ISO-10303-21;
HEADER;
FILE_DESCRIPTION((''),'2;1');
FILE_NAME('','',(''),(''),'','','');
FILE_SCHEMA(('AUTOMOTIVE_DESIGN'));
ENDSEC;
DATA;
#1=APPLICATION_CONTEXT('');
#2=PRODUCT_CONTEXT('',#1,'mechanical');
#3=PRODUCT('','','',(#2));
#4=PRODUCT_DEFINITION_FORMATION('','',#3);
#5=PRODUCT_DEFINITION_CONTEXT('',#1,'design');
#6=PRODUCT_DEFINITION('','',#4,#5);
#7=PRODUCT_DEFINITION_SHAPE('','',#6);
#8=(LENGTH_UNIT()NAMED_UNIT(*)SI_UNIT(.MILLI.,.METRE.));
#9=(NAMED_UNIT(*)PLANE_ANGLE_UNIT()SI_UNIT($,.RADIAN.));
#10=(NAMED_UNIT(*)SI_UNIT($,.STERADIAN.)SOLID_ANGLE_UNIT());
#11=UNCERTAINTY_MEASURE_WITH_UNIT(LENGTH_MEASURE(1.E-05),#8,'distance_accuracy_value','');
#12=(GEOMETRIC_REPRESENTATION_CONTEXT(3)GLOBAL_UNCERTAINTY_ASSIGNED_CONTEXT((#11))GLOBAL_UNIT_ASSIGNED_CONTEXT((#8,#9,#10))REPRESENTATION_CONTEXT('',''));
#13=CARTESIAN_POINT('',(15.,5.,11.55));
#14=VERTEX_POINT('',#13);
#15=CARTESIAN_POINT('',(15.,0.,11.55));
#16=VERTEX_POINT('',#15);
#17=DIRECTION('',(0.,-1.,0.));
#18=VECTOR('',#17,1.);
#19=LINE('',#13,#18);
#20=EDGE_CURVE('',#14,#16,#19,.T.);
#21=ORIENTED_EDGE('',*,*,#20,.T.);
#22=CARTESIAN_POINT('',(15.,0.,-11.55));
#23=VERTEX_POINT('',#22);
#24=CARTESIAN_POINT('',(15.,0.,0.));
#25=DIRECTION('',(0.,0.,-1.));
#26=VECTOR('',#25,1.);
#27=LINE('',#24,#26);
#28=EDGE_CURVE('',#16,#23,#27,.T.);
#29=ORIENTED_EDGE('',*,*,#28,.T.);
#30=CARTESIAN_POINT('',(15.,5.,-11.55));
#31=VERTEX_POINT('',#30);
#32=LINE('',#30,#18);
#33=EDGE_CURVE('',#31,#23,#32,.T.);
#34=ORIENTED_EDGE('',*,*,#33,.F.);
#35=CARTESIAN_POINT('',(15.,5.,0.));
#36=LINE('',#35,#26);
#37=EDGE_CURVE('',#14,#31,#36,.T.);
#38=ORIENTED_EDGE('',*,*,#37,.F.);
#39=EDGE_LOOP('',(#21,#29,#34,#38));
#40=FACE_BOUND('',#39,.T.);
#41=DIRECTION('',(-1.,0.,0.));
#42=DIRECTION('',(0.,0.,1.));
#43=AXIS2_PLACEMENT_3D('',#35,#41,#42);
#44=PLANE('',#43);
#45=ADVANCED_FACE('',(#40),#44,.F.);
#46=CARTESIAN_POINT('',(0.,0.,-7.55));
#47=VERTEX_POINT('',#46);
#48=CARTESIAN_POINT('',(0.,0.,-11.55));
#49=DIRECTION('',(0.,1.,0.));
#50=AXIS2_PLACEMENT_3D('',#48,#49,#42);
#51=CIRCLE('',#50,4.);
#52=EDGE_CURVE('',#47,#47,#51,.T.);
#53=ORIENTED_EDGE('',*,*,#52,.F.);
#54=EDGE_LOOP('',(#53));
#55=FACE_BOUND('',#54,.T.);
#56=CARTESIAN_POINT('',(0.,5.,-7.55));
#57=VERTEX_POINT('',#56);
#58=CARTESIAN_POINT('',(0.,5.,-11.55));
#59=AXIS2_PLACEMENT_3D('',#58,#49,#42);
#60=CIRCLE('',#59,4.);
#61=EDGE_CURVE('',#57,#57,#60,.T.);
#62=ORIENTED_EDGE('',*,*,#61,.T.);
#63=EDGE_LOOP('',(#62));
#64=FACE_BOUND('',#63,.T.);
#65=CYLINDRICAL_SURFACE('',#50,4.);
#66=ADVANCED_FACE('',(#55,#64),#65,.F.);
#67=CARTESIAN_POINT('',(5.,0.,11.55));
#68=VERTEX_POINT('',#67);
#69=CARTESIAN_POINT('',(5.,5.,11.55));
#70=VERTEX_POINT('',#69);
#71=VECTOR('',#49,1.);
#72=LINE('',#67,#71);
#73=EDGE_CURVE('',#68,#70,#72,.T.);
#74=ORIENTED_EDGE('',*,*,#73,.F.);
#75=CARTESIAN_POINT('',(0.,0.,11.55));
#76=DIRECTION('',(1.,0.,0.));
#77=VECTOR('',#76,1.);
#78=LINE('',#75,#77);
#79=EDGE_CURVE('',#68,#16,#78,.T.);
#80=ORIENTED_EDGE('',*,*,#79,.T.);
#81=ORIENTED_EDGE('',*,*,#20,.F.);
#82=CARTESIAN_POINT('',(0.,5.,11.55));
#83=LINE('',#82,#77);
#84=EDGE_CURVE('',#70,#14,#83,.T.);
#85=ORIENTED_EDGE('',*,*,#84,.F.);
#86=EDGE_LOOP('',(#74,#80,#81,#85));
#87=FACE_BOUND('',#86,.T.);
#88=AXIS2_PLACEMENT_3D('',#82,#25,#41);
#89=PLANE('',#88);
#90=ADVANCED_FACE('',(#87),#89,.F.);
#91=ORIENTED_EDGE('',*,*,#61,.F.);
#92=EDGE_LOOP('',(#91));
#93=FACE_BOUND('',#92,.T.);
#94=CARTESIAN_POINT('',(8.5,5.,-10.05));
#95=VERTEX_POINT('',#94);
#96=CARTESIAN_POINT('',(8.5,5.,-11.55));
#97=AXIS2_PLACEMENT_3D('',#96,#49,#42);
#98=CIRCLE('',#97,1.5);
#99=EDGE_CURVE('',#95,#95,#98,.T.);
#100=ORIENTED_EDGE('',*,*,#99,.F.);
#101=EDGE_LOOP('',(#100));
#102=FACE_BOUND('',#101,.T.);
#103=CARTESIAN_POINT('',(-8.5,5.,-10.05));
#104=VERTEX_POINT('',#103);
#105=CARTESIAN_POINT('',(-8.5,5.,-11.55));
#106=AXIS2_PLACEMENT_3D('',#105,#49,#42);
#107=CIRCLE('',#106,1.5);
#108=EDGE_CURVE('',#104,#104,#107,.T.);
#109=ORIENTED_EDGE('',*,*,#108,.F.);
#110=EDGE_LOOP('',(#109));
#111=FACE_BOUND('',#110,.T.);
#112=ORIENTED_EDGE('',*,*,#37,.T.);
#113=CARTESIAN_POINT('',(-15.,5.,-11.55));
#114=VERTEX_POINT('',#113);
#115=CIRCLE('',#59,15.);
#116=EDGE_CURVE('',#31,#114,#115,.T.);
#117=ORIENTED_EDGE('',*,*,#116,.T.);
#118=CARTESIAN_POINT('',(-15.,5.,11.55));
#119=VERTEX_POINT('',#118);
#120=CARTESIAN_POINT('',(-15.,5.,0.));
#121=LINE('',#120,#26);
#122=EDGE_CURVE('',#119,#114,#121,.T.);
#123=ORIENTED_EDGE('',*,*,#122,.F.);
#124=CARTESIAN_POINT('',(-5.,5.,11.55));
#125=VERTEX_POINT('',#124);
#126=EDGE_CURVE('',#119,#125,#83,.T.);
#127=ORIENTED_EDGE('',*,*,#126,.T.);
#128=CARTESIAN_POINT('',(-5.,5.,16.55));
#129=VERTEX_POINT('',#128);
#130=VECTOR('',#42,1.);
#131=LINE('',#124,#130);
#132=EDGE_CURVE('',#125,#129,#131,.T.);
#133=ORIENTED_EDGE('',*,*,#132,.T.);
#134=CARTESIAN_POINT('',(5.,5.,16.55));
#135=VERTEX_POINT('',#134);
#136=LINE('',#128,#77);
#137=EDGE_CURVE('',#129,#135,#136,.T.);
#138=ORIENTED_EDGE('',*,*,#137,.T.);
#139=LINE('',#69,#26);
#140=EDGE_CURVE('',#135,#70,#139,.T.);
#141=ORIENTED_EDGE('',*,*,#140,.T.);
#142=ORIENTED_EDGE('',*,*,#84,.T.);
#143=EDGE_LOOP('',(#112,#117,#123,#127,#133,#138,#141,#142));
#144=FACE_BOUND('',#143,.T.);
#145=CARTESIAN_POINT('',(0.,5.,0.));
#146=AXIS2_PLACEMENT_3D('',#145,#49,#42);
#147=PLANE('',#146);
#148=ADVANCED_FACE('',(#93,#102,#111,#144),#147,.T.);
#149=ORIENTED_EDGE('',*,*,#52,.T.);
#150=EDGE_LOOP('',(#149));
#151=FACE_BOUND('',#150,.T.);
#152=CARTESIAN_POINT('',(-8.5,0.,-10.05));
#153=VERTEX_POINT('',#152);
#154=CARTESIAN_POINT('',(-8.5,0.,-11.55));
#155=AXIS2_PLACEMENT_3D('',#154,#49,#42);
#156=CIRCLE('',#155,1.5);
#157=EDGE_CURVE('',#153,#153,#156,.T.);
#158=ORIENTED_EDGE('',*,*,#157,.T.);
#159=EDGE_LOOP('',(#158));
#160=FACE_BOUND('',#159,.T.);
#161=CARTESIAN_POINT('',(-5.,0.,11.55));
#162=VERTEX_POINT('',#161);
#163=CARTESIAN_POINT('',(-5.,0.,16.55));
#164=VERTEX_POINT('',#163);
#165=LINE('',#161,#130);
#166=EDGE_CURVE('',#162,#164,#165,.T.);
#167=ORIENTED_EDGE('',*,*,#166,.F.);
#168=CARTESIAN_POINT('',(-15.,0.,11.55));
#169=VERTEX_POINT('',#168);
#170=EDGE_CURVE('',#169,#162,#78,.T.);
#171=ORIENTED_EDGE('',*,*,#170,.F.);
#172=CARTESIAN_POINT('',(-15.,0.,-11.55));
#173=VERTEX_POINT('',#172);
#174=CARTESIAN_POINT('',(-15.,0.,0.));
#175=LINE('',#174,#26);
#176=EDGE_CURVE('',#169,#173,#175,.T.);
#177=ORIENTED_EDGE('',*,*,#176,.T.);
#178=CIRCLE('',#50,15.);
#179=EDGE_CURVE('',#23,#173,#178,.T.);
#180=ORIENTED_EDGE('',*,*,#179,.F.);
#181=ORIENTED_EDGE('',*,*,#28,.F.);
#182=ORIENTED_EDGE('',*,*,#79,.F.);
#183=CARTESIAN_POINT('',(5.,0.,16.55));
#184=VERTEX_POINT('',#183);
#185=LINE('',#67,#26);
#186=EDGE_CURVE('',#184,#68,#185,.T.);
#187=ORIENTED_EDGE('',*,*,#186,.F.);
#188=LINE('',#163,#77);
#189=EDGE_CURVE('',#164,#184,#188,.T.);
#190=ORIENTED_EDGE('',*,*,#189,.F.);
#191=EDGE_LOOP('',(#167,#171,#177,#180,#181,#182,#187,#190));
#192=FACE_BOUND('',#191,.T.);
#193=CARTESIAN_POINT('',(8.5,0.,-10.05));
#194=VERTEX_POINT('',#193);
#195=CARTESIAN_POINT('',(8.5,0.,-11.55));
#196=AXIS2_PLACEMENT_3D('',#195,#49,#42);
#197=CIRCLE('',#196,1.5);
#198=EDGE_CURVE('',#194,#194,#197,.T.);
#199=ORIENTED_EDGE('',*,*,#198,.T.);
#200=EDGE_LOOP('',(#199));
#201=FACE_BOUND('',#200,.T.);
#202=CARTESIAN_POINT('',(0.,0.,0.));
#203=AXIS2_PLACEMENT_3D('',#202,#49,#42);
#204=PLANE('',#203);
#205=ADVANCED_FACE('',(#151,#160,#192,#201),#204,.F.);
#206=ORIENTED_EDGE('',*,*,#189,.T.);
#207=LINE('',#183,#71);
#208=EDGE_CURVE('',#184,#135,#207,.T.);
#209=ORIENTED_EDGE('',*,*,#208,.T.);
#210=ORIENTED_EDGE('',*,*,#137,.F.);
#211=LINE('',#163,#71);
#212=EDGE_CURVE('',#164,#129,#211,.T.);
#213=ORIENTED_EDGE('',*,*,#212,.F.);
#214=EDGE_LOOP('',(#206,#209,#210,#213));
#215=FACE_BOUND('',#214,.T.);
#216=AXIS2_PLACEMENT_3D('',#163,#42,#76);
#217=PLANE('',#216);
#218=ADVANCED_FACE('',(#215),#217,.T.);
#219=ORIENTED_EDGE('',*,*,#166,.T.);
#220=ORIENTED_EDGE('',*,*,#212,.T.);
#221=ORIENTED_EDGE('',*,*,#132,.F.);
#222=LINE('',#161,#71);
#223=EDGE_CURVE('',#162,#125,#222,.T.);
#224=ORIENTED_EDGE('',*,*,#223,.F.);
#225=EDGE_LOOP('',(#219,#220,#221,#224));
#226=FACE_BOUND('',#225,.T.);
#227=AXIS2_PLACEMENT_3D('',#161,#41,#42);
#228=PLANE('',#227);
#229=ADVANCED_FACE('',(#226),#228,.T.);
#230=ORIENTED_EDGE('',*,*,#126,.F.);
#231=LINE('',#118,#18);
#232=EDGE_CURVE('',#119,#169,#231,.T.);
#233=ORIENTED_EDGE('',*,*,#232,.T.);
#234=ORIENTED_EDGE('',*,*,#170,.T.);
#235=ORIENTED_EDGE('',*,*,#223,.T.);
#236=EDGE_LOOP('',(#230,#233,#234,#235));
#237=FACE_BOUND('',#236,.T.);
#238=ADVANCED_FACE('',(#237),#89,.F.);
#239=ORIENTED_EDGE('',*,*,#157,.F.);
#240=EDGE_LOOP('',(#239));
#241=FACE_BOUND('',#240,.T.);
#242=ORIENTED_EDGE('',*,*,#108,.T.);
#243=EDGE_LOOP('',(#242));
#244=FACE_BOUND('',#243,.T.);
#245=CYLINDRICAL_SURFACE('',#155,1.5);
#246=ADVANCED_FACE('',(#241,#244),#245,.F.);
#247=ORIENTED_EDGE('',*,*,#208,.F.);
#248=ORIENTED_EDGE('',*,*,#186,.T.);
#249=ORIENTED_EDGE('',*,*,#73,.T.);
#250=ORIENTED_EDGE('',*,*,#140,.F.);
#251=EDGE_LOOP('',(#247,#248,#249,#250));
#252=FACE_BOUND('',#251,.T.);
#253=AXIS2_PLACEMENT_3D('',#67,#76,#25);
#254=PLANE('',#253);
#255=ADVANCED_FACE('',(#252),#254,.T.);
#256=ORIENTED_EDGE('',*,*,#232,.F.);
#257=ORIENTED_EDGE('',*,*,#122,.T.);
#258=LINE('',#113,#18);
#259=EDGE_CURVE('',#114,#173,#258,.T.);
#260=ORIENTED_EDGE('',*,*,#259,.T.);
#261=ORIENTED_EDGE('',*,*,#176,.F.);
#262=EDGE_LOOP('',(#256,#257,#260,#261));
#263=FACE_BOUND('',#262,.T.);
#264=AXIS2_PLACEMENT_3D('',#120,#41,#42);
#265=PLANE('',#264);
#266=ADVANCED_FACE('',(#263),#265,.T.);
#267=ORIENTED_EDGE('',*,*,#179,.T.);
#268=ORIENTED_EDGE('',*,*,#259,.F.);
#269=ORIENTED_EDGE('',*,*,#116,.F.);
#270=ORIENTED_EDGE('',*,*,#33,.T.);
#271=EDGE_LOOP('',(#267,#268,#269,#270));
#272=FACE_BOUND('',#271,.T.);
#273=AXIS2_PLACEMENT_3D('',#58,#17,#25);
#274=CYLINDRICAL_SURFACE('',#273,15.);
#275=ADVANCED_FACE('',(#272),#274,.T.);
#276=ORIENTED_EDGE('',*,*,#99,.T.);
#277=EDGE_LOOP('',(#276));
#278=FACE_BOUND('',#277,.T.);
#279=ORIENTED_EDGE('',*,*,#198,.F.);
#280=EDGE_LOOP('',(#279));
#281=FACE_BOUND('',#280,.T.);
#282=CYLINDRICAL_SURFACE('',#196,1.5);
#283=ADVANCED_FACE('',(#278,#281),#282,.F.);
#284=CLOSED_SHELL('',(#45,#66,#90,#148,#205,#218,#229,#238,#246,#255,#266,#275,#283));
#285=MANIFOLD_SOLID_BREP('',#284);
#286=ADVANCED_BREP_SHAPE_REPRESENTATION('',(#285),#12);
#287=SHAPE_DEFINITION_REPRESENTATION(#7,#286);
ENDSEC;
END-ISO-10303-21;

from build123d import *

# Parameters (mm, degrees)
EXTRUDE_1_DEPTH = 5
SKETCH_2_R      = 12.5
SKETCH_2_R_2    = 1.5
SKETCH_2_R_3    = 4
EXTRUDE_2_DEPTH = 5
SKETCH_3_W      = 10
SKETCH_3_H      = 5
EXTRUDE_3_DEPTH = 5


with BuildPart() as part:
    # 草图1 → 凸台-拉伸1 (new body)
    with BuildSketch(Plane(origin=(0, 0, 0), x_dir=(1, 0, 0), z_dir=(0, 1, 0))):
        with BuildLine():
            ThreePointArc((15, 11.55), (0, 26.55), (-15, 11.55))
            Line((-15, 11.55), (-12.5, 11.55))
            ThreePointArc((-12.5, 11.55), (0, 24.05), (12.5, 11.55))
            Line((12.5, 11.55), (15, 11.55))
        make_face()
        with BuildLine():
            Line((-12.5, 11.55), (-15, 11.55))
            ThreePointArc((-15, 11.55), (0, -3.45), (15, 11.55))
            Line((15, 11.55), (12.5, 11.55))
            ThreePointArc((12.5, 11.55), (0, -0.95), (-12.5, 11.55))
        make_face()
        with BuildLine():
            ThreePointArc((15, 11.55), (0, 26.55), (-15, 11.55))
            Line((-15, 11.55), (-12.5, 11.55))
            ThreePointArc((-12.5, 11.55), (0, 24.05), (12.5, 11.55))
            Line((12.5, 11.55), (15, 11.55))
        make_face()
        with BuildLine():
            Line((-12.5, 11.55), (-15, 11.55))
            ThreePointArc((-15, 11.55), (0, -3.45), (15, 11.55))
            Line((15, 11.55), (12.5, 11.55))
            ThreePointArc((12.5, 11.55), (0, -0.95), (-12.5, 11.55))
        make_face()
        with BuildLine():
            Line((-15, 11.55), (-15, -11.55))
            Line((-15, -11.55), (15, -11.55))
            Line((15, -11.55), (15, 11.55))
            ThreePointArc((15, 11.55), (0, -3.45), (-15, 11.55))
        make_face()
    extrude(amount=EXTRUDE_1_DEPTH)

    # 草图2 → 凸台-拉伸2 (add)
    with BuildSketch(Plane(origin=(0, 5, 0), x_dir=(1, 0, 0), z_dir=(0, 1, 0))):
        with Locations((0, 11.55)):
            Circle(SKETCH_2_R)
        with Locations((-8.5, 11.55)):
            Circle(SKETCH_2_R_2, mode=Mode.SUBTRACT)
        with Locations((8.5, 11.55)):
            Circle(SKETCH_2_R_2, mode=Mode.SUBTRACT)
        with Locations((0, 11.55)):
            Circle(SKETCH_2_R_3, mode=Mode.SUBTRACT)
    extrude(amount=-EXTRUDE_2_DEPTH)

    # 草图3 → 凸台-拉伸3 (add)
    with BuildSketch(Plane(origin=(0, 5, 0), x_dir=(1, 0, 0), z_dir=(0, 1, 0))):
        with Locations((0, -14.05)):
            Rectangle(SKETCH_3_W, SKETCH_3_H)
    extrude(amount=-EXTRUDE_3_DEPTH)


solid = part.part
